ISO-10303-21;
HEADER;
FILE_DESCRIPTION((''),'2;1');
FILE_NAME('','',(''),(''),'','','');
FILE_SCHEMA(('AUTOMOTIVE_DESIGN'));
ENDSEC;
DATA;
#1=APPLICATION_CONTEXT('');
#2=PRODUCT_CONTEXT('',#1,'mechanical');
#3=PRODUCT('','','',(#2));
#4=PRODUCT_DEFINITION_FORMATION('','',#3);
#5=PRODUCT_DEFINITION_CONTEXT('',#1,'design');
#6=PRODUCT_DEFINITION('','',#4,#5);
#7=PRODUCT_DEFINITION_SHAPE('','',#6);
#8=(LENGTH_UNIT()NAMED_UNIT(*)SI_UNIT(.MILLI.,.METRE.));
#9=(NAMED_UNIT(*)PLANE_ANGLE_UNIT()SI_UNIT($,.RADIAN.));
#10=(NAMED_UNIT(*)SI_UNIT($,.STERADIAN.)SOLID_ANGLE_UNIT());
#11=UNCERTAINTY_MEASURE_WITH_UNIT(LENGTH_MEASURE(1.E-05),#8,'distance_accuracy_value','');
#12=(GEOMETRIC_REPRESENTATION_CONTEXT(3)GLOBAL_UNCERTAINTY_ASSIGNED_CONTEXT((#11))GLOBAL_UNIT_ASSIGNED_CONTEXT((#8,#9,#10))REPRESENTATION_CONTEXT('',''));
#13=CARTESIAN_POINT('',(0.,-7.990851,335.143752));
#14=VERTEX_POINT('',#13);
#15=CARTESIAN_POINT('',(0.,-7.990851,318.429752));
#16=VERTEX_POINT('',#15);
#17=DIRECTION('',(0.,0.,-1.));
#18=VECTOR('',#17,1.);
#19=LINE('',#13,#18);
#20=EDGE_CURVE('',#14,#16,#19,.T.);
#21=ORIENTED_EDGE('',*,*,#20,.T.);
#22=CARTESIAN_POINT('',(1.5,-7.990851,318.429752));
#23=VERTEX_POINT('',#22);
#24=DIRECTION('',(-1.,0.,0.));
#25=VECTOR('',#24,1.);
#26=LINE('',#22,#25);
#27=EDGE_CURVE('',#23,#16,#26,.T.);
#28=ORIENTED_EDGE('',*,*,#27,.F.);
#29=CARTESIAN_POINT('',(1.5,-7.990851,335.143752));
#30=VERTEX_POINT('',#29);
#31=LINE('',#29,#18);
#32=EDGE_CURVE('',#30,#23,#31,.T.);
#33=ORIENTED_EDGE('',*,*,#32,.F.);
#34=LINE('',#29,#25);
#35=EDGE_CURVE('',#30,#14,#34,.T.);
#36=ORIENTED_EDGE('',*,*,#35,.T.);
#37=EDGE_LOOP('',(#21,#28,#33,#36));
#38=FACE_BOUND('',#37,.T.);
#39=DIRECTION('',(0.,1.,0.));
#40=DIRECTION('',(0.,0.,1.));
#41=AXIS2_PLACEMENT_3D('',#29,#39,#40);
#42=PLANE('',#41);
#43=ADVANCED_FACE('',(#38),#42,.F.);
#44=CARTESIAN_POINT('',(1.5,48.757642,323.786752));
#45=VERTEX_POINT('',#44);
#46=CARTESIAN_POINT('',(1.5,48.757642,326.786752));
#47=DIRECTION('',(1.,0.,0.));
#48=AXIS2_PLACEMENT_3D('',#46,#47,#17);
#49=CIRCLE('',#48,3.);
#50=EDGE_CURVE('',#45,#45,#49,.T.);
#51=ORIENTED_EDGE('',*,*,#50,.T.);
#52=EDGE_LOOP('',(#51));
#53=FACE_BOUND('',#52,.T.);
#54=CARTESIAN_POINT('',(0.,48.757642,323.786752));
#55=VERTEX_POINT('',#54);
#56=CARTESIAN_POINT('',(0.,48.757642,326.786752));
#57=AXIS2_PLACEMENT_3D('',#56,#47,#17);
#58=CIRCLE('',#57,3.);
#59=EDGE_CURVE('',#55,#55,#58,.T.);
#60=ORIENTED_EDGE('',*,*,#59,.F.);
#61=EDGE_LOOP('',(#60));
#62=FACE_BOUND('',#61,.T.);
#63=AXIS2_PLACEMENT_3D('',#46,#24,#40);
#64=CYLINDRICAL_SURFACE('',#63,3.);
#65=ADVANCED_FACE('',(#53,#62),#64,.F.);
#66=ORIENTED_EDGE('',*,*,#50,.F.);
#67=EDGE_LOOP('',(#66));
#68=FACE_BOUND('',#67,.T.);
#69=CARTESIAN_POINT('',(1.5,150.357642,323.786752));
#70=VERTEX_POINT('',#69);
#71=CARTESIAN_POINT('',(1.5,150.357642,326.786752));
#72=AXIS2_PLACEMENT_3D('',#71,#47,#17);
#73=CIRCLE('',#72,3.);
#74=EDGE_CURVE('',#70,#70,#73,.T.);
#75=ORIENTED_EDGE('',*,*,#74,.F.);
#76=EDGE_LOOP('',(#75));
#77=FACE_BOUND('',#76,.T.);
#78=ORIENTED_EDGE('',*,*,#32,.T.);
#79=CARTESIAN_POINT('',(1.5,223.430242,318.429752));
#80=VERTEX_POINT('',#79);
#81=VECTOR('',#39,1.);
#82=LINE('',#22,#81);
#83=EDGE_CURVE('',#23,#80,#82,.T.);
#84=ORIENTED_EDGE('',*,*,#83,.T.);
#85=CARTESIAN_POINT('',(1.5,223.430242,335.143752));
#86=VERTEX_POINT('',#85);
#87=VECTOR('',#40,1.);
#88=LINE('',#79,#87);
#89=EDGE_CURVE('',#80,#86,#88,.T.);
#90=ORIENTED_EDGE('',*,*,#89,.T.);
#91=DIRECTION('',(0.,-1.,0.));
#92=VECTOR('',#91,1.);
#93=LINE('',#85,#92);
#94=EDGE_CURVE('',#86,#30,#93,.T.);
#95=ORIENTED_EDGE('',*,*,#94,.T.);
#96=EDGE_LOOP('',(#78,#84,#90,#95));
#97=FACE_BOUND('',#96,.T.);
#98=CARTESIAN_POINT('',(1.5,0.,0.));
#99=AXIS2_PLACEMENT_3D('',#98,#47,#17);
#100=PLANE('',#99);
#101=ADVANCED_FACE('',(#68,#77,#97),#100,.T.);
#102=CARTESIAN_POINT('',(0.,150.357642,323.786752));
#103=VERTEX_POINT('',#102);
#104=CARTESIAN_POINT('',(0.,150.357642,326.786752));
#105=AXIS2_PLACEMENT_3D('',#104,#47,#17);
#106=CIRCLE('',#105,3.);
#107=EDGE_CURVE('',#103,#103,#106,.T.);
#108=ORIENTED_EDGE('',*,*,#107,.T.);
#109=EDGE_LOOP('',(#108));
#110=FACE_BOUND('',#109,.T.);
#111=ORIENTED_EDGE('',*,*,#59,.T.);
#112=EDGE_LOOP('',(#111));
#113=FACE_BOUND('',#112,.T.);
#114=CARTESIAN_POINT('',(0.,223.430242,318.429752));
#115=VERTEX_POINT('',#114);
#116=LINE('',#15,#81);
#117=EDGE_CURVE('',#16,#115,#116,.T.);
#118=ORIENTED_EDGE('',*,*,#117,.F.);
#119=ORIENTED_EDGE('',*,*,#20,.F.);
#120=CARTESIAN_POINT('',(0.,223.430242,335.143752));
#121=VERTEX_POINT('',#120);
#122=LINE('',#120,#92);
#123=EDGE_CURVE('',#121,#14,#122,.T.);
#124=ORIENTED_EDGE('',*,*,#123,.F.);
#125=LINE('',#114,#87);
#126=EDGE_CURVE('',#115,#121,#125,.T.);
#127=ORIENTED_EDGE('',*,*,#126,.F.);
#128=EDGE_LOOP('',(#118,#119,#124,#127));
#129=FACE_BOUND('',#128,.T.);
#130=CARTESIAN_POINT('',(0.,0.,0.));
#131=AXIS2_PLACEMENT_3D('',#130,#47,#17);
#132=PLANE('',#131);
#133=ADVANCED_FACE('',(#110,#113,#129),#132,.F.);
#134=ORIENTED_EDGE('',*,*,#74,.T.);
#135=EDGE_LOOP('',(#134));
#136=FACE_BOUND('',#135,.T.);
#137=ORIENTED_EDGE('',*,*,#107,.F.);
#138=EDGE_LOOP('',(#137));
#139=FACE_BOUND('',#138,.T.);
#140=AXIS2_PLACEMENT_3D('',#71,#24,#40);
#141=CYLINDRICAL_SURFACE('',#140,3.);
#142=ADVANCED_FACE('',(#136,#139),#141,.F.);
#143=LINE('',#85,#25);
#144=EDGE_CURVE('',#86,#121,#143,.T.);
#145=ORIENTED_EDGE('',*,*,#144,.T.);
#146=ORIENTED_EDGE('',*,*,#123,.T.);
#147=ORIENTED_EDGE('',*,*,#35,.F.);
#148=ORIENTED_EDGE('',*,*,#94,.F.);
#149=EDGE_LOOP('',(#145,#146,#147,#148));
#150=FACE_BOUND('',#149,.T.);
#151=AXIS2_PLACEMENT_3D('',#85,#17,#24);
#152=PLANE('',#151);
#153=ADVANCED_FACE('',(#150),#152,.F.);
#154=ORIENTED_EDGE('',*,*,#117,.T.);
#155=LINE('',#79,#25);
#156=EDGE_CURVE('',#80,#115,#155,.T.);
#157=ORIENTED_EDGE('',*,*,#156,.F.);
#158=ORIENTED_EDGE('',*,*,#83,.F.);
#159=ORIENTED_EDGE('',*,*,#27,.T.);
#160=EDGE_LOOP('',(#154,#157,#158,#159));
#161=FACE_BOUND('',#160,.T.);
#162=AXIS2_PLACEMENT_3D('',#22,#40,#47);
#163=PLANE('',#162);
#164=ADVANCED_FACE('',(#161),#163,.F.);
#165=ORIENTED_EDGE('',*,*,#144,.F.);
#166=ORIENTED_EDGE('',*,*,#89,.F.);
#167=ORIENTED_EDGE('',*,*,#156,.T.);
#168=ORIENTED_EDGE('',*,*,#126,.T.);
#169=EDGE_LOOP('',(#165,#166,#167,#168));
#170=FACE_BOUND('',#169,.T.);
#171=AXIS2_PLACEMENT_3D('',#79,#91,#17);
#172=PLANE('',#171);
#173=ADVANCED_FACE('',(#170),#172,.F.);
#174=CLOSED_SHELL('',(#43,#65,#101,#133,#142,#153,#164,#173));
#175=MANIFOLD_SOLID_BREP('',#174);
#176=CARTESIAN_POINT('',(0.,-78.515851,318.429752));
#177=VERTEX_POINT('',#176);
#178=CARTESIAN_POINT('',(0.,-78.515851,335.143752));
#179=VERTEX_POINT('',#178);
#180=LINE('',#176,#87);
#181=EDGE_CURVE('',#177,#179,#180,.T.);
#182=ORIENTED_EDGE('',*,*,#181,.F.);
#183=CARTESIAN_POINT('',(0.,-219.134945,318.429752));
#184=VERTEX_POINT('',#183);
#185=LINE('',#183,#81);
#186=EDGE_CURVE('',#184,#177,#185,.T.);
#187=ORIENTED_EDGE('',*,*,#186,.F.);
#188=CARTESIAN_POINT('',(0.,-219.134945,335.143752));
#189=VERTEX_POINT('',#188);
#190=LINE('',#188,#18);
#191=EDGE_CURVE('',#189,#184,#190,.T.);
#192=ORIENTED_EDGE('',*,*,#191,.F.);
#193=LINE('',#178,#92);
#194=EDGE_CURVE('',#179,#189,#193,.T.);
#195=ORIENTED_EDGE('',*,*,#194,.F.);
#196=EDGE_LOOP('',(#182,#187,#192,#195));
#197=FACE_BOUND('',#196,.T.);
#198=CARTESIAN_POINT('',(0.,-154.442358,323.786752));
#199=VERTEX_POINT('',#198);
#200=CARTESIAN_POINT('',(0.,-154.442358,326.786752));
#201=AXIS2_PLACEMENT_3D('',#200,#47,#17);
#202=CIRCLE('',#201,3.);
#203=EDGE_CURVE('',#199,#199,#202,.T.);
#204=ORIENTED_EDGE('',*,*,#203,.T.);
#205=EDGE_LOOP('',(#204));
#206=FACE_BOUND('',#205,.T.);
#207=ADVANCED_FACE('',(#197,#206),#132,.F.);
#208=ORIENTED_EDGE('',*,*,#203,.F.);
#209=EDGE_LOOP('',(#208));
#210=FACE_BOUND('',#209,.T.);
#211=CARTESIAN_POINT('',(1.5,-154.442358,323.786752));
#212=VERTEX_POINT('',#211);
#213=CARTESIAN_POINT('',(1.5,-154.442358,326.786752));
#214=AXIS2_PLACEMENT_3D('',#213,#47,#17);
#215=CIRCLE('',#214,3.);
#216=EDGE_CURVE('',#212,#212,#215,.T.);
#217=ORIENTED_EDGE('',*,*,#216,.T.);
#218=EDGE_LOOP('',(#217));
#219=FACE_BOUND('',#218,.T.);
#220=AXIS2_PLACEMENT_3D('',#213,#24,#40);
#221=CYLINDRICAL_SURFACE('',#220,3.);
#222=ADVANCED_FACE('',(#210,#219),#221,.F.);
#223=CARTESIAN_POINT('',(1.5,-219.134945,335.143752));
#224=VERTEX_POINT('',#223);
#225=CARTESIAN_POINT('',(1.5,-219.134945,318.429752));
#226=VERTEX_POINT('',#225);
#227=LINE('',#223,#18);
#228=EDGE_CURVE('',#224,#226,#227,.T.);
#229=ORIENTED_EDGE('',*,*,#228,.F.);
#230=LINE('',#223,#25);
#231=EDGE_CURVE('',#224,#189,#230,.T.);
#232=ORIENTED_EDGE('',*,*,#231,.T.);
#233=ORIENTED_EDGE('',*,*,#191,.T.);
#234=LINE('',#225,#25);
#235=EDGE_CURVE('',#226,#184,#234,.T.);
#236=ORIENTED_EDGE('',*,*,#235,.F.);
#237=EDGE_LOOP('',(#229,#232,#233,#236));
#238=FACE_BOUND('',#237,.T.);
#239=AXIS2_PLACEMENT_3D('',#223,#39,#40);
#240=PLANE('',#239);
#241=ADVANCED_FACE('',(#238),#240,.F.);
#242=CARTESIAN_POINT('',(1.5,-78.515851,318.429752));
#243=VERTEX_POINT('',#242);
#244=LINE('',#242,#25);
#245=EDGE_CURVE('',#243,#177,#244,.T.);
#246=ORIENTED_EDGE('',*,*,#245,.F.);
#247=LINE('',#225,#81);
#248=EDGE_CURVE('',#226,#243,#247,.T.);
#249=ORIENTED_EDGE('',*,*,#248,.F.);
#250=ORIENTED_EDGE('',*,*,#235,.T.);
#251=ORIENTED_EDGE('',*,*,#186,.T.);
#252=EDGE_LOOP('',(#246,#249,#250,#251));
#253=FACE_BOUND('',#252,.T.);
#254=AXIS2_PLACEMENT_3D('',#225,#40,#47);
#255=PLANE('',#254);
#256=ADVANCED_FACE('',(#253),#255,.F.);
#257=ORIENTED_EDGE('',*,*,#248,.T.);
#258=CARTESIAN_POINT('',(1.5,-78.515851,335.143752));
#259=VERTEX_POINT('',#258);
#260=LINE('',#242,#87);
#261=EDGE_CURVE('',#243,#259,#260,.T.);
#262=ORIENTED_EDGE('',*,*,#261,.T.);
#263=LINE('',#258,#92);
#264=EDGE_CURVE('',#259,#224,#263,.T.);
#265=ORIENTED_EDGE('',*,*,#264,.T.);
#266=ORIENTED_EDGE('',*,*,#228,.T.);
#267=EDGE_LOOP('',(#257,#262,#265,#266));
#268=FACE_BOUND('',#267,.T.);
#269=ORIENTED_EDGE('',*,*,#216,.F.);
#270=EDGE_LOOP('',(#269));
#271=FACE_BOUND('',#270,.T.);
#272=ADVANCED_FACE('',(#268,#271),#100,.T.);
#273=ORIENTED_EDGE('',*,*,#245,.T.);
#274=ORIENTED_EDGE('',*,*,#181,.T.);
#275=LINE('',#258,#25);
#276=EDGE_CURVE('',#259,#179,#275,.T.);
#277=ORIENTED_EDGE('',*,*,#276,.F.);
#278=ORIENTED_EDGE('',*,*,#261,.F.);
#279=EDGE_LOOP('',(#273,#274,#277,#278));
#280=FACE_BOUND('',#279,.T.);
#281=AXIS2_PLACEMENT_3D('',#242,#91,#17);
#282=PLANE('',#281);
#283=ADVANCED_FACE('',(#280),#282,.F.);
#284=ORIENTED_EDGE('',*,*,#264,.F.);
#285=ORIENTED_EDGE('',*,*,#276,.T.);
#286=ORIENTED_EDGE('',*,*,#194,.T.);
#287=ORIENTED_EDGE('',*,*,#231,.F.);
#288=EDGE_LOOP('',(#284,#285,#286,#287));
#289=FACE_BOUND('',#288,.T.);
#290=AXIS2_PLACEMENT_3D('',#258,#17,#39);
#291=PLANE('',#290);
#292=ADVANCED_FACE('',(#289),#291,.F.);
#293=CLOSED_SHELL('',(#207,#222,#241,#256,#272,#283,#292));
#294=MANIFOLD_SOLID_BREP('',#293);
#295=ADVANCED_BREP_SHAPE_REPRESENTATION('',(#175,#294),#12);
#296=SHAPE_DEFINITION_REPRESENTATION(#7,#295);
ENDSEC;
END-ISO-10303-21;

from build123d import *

# Parameters (mm, degrees)
SKETCH1_W             = 16.714
SKETCH1_H             = 140.619093265
SKETCH1_R             = 3
BOSS_EXTRUDE1_DEPTH   = 1.5
SKETCH1_H_2           = 231.421093249
BOSS_EXTRUDE1_2_DEPTH = 1.5


with BuildPart() as part:
    # Sketch1 → Boss-Extrude1 (new body)
    with BuildSketch(Plane(origin=(0, 0, 0), x_dir=(0, 0, -1), z_dir=(1, 0, 0))):
        with Locations((-326.786752095, -148.825397991)):
            Rectangle(SKETCH1_W, SKETCH1_H)
        with Locations((-326.786752095, -154.442358109)):
            Circle(SKETCH1_R, mode=Mode.SUBTRACT)
    extrude(amount=BOSS_EXTRUDE1_DEPTH)


with BuildPart() as body_2:
    # Sketch1 → Boss-Extrude1 2 (new body)
    with BuildSketch(Plane(origin=(0, 0, 0), x_dir=(0, 0, -1), z_dir=(1, 0, 0))):
        with Locations((-326.786752095, 107.719695266)):
            Rectangle(SKETCH1_W, SKETCH1_H_2)
        with Locations((-326.786752095, 150.357641891)):
            Circle(SKETCH1_R, mode=Mode.SUBTRACT)
        with Locations((-326.786752095, 48.757641891)):
            Circle(SKETCH1_R, mode=Mode.SUBTRACT)
    extrude(amount=BOSS_EXTRUDE1_2_DEPTH)


solid = Compound([part.part, body_2.part])
